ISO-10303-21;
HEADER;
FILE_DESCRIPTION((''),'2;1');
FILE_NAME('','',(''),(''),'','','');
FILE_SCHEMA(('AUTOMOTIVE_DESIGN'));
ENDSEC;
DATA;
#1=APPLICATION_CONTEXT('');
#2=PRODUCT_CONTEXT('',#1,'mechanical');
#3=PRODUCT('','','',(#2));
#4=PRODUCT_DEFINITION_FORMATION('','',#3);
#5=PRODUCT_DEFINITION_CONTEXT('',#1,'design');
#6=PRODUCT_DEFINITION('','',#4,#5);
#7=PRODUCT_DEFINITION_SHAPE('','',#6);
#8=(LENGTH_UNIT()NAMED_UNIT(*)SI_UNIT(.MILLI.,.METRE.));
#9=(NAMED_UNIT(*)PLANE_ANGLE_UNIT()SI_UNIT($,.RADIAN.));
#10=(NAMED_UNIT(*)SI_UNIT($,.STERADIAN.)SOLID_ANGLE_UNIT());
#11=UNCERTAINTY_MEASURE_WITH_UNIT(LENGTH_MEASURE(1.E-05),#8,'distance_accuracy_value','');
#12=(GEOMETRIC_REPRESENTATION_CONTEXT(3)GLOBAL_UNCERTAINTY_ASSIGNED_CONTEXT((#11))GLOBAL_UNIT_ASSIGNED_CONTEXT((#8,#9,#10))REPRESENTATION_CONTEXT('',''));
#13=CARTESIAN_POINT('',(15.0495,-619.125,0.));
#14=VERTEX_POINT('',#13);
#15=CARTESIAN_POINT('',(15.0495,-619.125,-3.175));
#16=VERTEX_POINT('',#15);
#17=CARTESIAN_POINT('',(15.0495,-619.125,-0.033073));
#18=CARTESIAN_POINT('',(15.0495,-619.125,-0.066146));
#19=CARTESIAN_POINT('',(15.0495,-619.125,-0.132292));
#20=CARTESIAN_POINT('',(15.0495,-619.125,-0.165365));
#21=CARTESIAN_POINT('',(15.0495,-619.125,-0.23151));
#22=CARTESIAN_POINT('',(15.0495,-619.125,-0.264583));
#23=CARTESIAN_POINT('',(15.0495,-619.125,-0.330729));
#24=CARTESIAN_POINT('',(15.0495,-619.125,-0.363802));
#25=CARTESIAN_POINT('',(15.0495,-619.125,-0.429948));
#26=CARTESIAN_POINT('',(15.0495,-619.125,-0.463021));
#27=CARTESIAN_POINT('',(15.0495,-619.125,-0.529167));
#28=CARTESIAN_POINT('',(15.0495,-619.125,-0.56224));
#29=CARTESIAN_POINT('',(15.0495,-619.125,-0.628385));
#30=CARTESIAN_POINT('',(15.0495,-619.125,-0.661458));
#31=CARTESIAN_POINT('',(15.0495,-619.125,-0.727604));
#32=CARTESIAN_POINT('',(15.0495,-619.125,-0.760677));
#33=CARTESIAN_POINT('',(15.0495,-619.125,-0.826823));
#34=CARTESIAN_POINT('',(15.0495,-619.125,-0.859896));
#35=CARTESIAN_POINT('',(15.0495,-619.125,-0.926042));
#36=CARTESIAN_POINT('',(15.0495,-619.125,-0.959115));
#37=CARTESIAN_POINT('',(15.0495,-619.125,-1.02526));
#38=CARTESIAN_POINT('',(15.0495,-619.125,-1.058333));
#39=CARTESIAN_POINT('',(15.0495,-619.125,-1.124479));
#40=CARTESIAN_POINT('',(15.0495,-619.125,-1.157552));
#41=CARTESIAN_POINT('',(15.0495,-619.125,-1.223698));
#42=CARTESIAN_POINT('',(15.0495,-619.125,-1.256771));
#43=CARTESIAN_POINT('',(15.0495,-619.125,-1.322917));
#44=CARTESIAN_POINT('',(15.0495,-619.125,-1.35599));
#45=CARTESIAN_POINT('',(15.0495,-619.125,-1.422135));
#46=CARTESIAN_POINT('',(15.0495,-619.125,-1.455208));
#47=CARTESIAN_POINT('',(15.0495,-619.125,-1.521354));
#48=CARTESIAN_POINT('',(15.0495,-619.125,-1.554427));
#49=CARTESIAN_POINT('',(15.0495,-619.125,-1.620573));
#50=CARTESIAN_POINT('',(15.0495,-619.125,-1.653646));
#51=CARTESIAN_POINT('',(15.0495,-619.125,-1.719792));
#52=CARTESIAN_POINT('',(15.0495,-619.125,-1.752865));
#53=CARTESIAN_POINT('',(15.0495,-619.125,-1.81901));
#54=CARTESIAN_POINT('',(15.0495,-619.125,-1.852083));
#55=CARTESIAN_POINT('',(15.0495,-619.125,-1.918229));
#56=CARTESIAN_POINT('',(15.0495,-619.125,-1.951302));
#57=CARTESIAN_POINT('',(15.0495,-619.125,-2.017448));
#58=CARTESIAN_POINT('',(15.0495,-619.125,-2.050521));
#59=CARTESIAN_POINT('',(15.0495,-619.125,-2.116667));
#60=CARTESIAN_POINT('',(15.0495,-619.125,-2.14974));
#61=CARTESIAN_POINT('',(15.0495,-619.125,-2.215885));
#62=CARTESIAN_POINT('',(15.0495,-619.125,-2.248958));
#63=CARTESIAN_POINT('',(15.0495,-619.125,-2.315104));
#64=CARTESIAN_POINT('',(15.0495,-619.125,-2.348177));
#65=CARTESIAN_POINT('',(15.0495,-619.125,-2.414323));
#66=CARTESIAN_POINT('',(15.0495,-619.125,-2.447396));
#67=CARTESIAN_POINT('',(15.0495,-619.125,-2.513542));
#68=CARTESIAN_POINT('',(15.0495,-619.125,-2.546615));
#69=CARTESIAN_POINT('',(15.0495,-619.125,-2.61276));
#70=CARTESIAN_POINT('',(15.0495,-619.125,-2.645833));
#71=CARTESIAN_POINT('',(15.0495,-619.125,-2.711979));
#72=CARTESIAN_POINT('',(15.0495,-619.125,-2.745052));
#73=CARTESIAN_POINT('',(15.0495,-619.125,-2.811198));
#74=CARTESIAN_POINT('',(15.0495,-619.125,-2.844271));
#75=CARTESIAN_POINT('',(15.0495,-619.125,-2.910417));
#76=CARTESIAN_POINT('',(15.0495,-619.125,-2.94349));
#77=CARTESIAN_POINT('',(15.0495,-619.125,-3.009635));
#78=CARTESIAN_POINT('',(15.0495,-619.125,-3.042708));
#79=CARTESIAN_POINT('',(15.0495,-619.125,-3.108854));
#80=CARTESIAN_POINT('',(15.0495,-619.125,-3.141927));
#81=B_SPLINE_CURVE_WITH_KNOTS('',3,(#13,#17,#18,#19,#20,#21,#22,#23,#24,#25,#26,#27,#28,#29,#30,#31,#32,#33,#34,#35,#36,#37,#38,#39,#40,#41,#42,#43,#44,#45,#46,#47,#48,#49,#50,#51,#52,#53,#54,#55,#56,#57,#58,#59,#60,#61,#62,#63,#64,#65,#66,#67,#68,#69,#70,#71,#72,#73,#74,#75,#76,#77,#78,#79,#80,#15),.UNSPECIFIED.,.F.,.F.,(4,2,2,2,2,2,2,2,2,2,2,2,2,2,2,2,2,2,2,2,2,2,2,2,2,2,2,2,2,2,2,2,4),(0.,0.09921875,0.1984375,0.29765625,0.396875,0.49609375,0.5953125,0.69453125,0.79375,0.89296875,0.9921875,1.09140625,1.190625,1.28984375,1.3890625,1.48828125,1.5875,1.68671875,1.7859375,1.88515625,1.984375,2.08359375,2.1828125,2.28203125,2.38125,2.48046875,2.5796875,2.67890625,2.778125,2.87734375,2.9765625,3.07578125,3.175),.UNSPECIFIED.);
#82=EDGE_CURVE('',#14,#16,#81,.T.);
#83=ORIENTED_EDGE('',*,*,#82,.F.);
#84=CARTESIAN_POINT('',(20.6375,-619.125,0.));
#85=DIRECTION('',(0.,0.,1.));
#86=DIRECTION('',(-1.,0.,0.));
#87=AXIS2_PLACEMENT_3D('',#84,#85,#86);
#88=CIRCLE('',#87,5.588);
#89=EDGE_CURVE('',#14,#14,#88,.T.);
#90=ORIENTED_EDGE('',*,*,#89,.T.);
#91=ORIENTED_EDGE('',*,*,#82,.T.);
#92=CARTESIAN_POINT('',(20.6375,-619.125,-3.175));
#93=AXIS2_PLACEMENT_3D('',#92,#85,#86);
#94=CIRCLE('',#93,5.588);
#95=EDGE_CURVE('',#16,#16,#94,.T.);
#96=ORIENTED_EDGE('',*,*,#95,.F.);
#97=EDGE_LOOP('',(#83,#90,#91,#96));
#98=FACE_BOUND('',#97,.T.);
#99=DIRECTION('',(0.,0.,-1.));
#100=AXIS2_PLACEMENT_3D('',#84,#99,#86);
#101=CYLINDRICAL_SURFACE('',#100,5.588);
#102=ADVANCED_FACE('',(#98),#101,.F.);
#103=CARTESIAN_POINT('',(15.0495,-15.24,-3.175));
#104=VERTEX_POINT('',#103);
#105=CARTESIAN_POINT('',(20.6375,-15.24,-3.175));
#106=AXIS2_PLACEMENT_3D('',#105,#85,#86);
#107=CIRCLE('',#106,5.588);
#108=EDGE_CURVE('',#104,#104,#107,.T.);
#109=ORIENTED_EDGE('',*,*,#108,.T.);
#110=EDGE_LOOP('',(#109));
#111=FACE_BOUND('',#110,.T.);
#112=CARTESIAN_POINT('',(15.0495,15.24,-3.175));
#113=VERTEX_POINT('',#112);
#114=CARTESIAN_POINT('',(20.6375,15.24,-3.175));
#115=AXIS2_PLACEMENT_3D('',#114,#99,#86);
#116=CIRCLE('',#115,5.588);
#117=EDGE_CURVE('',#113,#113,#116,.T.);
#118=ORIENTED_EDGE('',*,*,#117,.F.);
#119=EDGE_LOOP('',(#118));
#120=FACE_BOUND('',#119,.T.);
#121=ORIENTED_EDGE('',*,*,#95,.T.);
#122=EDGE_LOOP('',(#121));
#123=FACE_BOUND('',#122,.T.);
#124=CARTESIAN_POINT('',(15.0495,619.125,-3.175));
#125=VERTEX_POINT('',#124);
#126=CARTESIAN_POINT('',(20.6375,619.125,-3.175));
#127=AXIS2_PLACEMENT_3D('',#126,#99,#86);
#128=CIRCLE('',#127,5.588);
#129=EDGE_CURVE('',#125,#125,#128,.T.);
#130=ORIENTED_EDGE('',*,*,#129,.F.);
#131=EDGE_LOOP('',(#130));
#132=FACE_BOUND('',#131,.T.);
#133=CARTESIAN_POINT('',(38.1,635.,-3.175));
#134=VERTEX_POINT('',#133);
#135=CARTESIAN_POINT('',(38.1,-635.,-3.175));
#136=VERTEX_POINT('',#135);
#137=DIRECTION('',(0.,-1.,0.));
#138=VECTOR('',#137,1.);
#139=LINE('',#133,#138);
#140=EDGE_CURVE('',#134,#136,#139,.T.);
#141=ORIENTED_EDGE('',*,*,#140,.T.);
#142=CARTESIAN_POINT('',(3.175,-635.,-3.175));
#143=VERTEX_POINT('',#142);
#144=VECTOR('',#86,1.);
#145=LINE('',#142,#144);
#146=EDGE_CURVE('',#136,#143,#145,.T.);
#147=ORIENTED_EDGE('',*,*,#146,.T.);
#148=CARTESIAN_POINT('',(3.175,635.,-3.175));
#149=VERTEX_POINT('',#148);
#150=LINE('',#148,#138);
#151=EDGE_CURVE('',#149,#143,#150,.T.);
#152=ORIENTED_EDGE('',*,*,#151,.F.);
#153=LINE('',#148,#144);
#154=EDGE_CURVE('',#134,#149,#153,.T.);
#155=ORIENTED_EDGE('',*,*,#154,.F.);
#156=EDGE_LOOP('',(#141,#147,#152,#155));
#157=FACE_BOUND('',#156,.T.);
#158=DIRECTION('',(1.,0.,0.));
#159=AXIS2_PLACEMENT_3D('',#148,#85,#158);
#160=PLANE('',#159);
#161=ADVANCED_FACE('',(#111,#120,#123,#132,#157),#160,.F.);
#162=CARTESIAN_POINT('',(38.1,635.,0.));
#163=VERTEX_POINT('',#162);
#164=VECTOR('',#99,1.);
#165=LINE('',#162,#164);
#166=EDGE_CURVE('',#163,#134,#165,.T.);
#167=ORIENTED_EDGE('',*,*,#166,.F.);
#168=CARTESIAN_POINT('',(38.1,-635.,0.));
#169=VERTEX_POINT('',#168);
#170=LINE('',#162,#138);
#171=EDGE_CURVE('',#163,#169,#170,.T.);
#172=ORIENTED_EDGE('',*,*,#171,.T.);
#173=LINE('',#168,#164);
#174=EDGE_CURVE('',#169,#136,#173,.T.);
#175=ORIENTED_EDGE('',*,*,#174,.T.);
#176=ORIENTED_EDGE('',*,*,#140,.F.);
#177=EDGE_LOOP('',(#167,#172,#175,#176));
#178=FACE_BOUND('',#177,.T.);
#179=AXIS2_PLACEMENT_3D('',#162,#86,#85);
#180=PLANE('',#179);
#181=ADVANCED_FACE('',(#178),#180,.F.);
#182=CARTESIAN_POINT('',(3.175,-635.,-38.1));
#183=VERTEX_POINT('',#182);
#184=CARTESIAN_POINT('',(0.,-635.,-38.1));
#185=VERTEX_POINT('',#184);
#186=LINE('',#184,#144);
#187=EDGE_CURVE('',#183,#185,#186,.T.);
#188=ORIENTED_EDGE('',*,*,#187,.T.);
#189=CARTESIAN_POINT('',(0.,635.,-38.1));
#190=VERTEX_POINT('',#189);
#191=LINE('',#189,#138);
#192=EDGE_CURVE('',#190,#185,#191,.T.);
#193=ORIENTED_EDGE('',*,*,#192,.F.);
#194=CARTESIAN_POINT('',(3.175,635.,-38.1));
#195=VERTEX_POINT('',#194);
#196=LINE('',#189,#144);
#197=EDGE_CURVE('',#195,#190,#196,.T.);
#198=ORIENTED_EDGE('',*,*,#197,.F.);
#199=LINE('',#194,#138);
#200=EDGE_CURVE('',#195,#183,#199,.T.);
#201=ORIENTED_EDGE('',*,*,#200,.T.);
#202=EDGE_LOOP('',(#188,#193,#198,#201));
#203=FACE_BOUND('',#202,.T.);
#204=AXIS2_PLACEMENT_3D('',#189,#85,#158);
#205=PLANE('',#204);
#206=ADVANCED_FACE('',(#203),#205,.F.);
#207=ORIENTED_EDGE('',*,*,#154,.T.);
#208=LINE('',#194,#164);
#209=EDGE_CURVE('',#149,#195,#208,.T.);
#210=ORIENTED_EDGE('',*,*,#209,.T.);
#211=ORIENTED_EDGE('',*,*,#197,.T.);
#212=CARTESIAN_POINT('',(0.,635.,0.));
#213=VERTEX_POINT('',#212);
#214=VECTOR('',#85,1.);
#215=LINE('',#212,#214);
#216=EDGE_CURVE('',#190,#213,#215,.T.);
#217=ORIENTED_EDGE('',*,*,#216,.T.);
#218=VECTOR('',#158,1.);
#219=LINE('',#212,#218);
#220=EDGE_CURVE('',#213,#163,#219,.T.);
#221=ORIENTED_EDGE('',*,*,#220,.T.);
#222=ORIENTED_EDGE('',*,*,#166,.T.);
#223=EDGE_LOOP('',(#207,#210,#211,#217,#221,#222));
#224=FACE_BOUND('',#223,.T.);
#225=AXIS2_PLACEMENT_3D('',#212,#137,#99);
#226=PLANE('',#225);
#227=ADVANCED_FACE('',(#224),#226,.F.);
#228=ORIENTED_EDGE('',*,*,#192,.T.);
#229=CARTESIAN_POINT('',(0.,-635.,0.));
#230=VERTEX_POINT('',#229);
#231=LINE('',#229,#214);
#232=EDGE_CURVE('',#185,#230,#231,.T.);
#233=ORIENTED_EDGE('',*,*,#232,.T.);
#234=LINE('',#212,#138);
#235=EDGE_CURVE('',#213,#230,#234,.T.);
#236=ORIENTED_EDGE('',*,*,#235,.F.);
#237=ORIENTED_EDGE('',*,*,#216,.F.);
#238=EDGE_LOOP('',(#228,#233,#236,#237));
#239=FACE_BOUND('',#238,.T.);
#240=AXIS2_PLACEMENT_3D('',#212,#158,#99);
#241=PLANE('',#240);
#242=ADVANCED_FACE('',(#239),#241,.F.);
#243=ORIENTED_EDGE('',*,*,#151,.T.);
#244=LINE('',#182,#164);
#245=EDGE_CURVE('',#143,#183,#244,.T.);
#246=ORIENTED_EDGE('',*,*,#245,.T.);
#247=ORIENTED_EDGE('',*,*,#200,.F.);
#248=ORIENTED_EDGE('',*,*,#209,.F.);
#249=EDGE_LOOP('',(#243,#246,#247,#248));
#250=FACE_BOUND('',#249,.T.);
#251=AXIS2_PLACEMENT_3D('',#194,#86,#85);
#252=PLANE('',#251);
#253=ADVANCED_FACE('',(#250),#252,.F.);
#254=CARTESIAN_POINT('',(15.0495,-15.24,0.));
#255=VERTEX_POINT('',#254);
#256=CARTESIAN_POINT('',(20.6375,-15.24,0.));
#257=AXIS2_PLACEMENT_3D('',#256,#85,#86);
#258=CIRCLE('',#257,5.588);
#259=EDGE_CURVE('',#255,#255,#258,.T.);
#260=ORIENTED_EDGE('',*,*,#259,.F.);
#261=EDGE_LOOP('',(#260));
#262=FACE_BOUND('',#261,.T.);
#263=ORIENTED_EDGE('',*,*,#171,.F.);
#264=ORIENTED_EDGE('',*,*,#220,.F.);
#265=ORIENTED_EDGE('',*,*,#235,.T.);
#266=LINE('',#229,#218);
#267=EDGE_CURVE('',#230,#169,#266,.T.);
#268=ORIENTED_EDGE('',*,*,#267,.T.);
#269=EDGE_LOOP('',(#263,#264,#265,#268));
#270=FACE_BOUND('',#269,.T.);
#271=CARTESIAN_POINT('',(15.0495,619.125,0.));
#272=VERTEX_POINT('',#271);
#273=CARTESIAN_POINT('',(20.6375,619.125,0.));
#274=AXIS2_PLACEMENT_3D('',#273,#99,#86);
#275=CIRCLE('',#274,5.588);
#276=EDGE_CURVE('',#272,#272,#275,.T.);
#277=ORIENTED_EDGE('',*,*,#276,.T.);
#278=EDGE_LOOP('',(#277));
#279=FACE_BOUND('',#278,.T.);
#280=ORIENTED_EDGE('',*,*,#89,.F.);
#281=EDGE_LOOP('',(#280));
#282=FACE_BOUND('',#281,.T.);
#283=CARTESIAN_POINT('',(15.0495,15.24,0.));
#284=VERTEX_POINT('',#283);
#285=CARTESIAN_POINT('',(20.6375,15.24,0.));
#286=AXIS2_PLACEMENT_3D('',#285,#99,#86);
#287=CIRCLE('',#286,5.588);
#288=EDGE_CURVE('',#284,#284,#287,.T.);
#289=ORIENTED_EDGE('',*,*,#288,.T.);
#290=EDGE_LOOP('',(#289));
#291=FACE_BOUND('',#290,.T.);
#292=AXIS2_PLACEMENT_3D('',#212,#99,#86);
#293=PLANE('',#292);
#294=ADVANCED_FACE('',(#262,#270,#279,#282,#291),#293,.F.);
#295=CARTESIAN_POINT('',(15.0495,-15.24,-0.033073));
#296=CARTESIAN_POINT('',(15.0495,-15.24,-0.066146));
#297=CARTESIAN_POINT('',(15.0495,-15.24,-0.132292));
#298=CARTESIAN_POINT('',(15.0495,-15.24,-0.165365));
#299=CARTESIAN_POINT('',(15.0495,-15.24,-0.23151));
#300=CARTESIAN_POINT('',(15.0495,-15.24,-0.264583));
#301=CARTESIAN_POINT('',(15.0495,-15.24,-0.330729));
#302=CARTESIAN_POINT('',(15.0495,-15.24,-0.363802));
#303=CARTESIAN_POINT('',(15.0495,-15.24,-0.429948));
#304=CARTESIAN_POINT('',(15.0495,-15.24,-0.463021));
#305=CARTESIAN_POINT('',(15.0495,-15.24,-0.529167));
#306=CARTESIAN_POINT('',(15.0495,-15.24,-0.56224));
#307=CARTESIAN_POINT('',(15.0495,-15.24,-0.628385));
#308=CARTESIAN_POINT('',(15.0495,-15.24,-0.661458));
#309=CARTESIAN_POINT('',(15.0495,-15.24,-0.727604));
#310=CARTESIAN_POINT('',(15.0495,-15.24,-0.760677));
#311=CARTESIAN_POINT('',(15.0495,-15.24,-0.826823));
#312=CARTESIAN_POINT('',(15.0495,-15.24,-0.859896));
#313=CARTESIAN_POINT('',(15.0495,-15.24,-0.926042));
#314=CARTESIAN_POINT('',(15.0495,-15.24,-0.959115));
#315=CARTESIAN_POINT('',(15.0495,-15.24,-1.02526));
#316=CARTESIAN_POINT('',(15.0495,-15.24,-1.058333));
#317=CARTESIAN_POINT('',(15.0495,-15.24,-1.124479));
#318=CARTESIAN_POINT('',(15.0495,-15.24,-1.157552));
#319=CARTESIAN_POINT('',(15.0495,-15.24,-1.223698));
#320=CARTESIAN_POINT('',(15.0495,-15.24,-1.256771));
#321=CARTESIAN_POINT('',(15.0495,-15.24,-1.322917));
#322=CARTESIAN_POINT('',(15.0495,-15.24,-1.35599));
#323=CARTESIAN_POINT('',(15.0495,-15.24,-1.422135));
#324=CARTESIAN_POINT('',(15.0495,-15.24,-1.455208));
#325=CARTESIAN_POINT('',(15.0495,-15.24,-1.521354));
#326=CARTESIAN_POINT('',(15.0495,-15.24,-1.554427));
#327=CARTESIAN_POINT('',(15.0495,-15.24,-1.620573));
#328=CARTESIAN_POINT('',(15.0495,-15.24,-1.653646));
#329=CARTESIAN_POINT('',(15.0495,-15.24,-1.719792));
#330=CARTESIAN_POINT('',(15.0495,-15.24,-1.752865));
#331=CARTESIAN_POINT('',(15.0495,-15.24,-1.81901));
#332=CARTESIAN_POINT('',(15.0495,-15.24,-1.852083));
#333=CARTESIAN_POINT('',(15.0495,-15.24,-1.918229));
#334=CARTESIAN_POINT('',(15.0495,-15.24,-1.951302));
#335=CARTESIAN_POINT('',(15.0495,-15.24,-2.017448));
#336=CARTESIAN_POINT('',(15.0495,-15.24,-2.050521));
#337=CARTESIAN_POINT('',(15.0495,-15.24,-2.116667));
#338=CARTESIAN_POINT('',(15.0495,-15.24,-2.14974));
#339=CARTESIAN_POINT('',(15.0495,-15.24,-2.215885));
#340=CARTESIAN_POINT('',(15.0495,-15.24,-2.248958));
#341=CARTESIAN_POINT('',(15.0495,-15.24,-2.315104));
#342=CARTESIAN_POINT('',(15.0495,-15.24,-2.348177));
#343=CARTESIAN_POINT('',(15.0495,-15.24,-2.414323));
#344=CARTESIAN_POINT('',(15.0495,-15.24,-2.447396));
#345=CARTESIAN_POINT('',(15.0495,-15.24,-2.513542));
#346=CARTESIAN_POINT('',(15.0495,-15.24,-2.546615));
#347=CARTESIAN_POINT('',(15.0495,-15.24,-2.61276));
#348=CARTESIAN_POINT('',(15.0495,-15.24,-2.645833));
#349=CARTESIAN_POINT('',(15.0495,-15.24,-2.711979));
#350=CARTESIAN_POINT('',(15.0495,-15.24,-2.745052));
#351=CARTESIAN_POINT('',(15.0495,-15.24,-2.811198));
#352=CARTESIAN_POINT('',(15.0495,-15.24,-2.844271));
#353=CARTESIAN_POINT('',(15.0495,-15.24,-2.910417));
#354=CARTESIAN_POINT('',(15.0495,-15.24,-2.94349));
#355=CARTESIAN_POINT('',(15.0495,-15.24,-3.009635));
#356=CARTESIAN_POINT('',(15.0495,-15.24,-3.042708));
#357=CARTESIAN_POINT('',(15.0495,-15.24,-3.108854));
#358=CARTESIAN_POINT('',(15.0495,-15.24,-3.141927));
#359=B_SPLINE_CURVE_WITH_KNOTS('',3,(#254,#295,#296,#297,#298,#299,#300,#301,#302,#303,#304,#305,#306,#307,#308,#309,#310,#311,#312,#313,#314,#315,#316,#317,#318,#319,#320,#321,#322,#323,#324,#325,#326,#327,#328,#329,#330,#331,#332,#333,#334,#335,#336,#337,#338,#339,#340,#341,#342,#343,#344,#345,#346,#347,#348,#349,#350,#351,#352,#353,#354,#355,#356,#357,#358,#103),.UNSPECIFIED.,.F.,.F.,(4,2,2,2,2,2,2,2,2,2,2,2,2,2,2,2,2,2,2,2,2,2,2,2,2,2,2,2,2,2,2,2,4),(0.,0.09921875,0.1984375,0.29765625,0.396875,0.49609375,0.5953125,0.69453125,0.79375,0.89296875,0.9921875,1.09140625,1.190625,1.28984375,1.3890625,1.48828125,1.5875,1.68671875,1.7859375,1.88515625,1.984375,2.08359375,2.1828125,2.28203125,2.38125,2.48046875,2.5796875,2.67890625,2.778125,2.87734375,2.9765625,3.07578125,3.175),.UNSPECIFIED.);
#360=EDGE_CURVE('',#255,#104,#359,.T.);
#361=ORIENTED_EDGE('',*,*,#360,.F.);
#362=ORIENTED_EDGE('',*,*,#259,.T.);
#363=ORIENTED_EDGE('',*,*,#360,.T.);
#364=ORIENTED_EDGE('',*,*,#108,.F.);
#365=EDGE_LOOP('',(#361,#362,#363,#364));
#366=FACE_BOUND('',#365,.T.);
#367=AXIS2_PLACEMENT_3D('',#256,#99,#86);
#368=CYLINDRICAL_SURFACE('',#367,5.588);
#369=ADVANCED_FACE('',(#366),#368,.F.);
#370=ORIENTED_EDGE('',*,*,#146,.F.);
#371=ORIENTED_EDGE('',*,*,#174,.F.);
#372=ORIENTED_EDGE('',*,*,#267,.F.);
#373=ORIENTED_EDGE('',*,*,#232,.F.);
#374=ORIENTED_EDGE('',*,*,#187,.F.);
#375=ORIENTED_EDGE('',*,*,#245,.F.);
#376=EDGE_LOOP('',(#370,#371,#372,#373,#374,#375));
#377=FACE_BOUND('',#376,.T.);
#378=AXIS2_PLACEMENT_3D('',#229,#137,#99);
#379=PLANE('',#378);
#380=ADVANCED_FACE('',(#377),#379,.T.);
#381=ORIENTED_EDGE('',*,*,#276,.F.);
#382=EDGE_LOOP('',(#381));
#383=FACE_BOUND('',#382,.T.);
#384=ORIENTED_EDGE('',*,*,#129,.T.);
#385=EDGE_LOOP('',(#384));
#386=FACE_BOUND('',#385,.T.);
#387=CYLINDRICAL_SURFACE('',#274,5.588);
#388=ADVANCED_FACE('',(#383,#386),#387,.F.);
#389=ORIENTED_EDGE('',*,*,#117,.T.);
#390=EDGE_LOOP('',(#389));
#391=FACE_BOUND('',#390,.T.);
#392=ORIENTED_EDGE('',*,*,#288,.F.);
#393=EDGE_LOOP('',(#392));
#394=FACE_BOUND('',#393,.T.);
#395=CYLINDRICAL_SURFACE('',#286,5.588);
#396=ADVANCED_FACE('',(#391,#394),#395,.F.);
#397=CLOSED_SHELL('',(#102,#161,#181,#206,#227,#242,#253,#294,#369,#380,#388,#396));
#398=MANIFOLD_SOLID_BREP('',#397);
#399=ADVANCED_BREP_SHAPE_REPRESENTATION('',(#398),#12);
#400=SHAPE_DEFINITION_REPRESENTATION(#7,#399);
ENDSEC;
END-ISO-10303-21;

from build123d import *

# Parameters (mm, degrees)
BOSS_EXTRUDE1_DEPTH = 635
SKETCH19_R          = 5.588
CUT_EXTRUDE2_DEPTH  = 638.099965174


with BuildPart() as part:
    # Sketch18 → Boss-Extrude1 (new, symmetric)
    with BuildSketch(Plane(origin=(0, 0, 0), x_dir=(1, 0, 0), z_dir=(0, 1, 0))):
        Polygon((3.175, 38.1), (3.175, 3.175), (38.1, 3.175), (38.1, 0), (0, 0), (0, 38.1), align=None)
    extrude(amount=BOSS_EXTRUDE1_DEPTH, both=True)

    # Sketch19 → Cut-Extrude2 (cut, through all)
    with BuildSketch(Plane(origin=(0, 0, -3.175), x_dir=(-1, 0, 0), z_dir=(0, 0, -1))):
        with Locations((-20.6375, 619.125)):
            Circle(SKETCH19_R)
        with Locations((-20.6375, 15.24)):
            Circle(SKETCH19_R)
    cut_extrude2 = extrude(amount=-CUT_EXTRUDE2_DEPTH, mode=Mode.SUBTRACT)

    # Mirror2: Cut-Extrude2 across plane
    add(cut_extrude2.mirror(Plane.ZX), mode=Mode.SUBTRACT)


solid = part.part
